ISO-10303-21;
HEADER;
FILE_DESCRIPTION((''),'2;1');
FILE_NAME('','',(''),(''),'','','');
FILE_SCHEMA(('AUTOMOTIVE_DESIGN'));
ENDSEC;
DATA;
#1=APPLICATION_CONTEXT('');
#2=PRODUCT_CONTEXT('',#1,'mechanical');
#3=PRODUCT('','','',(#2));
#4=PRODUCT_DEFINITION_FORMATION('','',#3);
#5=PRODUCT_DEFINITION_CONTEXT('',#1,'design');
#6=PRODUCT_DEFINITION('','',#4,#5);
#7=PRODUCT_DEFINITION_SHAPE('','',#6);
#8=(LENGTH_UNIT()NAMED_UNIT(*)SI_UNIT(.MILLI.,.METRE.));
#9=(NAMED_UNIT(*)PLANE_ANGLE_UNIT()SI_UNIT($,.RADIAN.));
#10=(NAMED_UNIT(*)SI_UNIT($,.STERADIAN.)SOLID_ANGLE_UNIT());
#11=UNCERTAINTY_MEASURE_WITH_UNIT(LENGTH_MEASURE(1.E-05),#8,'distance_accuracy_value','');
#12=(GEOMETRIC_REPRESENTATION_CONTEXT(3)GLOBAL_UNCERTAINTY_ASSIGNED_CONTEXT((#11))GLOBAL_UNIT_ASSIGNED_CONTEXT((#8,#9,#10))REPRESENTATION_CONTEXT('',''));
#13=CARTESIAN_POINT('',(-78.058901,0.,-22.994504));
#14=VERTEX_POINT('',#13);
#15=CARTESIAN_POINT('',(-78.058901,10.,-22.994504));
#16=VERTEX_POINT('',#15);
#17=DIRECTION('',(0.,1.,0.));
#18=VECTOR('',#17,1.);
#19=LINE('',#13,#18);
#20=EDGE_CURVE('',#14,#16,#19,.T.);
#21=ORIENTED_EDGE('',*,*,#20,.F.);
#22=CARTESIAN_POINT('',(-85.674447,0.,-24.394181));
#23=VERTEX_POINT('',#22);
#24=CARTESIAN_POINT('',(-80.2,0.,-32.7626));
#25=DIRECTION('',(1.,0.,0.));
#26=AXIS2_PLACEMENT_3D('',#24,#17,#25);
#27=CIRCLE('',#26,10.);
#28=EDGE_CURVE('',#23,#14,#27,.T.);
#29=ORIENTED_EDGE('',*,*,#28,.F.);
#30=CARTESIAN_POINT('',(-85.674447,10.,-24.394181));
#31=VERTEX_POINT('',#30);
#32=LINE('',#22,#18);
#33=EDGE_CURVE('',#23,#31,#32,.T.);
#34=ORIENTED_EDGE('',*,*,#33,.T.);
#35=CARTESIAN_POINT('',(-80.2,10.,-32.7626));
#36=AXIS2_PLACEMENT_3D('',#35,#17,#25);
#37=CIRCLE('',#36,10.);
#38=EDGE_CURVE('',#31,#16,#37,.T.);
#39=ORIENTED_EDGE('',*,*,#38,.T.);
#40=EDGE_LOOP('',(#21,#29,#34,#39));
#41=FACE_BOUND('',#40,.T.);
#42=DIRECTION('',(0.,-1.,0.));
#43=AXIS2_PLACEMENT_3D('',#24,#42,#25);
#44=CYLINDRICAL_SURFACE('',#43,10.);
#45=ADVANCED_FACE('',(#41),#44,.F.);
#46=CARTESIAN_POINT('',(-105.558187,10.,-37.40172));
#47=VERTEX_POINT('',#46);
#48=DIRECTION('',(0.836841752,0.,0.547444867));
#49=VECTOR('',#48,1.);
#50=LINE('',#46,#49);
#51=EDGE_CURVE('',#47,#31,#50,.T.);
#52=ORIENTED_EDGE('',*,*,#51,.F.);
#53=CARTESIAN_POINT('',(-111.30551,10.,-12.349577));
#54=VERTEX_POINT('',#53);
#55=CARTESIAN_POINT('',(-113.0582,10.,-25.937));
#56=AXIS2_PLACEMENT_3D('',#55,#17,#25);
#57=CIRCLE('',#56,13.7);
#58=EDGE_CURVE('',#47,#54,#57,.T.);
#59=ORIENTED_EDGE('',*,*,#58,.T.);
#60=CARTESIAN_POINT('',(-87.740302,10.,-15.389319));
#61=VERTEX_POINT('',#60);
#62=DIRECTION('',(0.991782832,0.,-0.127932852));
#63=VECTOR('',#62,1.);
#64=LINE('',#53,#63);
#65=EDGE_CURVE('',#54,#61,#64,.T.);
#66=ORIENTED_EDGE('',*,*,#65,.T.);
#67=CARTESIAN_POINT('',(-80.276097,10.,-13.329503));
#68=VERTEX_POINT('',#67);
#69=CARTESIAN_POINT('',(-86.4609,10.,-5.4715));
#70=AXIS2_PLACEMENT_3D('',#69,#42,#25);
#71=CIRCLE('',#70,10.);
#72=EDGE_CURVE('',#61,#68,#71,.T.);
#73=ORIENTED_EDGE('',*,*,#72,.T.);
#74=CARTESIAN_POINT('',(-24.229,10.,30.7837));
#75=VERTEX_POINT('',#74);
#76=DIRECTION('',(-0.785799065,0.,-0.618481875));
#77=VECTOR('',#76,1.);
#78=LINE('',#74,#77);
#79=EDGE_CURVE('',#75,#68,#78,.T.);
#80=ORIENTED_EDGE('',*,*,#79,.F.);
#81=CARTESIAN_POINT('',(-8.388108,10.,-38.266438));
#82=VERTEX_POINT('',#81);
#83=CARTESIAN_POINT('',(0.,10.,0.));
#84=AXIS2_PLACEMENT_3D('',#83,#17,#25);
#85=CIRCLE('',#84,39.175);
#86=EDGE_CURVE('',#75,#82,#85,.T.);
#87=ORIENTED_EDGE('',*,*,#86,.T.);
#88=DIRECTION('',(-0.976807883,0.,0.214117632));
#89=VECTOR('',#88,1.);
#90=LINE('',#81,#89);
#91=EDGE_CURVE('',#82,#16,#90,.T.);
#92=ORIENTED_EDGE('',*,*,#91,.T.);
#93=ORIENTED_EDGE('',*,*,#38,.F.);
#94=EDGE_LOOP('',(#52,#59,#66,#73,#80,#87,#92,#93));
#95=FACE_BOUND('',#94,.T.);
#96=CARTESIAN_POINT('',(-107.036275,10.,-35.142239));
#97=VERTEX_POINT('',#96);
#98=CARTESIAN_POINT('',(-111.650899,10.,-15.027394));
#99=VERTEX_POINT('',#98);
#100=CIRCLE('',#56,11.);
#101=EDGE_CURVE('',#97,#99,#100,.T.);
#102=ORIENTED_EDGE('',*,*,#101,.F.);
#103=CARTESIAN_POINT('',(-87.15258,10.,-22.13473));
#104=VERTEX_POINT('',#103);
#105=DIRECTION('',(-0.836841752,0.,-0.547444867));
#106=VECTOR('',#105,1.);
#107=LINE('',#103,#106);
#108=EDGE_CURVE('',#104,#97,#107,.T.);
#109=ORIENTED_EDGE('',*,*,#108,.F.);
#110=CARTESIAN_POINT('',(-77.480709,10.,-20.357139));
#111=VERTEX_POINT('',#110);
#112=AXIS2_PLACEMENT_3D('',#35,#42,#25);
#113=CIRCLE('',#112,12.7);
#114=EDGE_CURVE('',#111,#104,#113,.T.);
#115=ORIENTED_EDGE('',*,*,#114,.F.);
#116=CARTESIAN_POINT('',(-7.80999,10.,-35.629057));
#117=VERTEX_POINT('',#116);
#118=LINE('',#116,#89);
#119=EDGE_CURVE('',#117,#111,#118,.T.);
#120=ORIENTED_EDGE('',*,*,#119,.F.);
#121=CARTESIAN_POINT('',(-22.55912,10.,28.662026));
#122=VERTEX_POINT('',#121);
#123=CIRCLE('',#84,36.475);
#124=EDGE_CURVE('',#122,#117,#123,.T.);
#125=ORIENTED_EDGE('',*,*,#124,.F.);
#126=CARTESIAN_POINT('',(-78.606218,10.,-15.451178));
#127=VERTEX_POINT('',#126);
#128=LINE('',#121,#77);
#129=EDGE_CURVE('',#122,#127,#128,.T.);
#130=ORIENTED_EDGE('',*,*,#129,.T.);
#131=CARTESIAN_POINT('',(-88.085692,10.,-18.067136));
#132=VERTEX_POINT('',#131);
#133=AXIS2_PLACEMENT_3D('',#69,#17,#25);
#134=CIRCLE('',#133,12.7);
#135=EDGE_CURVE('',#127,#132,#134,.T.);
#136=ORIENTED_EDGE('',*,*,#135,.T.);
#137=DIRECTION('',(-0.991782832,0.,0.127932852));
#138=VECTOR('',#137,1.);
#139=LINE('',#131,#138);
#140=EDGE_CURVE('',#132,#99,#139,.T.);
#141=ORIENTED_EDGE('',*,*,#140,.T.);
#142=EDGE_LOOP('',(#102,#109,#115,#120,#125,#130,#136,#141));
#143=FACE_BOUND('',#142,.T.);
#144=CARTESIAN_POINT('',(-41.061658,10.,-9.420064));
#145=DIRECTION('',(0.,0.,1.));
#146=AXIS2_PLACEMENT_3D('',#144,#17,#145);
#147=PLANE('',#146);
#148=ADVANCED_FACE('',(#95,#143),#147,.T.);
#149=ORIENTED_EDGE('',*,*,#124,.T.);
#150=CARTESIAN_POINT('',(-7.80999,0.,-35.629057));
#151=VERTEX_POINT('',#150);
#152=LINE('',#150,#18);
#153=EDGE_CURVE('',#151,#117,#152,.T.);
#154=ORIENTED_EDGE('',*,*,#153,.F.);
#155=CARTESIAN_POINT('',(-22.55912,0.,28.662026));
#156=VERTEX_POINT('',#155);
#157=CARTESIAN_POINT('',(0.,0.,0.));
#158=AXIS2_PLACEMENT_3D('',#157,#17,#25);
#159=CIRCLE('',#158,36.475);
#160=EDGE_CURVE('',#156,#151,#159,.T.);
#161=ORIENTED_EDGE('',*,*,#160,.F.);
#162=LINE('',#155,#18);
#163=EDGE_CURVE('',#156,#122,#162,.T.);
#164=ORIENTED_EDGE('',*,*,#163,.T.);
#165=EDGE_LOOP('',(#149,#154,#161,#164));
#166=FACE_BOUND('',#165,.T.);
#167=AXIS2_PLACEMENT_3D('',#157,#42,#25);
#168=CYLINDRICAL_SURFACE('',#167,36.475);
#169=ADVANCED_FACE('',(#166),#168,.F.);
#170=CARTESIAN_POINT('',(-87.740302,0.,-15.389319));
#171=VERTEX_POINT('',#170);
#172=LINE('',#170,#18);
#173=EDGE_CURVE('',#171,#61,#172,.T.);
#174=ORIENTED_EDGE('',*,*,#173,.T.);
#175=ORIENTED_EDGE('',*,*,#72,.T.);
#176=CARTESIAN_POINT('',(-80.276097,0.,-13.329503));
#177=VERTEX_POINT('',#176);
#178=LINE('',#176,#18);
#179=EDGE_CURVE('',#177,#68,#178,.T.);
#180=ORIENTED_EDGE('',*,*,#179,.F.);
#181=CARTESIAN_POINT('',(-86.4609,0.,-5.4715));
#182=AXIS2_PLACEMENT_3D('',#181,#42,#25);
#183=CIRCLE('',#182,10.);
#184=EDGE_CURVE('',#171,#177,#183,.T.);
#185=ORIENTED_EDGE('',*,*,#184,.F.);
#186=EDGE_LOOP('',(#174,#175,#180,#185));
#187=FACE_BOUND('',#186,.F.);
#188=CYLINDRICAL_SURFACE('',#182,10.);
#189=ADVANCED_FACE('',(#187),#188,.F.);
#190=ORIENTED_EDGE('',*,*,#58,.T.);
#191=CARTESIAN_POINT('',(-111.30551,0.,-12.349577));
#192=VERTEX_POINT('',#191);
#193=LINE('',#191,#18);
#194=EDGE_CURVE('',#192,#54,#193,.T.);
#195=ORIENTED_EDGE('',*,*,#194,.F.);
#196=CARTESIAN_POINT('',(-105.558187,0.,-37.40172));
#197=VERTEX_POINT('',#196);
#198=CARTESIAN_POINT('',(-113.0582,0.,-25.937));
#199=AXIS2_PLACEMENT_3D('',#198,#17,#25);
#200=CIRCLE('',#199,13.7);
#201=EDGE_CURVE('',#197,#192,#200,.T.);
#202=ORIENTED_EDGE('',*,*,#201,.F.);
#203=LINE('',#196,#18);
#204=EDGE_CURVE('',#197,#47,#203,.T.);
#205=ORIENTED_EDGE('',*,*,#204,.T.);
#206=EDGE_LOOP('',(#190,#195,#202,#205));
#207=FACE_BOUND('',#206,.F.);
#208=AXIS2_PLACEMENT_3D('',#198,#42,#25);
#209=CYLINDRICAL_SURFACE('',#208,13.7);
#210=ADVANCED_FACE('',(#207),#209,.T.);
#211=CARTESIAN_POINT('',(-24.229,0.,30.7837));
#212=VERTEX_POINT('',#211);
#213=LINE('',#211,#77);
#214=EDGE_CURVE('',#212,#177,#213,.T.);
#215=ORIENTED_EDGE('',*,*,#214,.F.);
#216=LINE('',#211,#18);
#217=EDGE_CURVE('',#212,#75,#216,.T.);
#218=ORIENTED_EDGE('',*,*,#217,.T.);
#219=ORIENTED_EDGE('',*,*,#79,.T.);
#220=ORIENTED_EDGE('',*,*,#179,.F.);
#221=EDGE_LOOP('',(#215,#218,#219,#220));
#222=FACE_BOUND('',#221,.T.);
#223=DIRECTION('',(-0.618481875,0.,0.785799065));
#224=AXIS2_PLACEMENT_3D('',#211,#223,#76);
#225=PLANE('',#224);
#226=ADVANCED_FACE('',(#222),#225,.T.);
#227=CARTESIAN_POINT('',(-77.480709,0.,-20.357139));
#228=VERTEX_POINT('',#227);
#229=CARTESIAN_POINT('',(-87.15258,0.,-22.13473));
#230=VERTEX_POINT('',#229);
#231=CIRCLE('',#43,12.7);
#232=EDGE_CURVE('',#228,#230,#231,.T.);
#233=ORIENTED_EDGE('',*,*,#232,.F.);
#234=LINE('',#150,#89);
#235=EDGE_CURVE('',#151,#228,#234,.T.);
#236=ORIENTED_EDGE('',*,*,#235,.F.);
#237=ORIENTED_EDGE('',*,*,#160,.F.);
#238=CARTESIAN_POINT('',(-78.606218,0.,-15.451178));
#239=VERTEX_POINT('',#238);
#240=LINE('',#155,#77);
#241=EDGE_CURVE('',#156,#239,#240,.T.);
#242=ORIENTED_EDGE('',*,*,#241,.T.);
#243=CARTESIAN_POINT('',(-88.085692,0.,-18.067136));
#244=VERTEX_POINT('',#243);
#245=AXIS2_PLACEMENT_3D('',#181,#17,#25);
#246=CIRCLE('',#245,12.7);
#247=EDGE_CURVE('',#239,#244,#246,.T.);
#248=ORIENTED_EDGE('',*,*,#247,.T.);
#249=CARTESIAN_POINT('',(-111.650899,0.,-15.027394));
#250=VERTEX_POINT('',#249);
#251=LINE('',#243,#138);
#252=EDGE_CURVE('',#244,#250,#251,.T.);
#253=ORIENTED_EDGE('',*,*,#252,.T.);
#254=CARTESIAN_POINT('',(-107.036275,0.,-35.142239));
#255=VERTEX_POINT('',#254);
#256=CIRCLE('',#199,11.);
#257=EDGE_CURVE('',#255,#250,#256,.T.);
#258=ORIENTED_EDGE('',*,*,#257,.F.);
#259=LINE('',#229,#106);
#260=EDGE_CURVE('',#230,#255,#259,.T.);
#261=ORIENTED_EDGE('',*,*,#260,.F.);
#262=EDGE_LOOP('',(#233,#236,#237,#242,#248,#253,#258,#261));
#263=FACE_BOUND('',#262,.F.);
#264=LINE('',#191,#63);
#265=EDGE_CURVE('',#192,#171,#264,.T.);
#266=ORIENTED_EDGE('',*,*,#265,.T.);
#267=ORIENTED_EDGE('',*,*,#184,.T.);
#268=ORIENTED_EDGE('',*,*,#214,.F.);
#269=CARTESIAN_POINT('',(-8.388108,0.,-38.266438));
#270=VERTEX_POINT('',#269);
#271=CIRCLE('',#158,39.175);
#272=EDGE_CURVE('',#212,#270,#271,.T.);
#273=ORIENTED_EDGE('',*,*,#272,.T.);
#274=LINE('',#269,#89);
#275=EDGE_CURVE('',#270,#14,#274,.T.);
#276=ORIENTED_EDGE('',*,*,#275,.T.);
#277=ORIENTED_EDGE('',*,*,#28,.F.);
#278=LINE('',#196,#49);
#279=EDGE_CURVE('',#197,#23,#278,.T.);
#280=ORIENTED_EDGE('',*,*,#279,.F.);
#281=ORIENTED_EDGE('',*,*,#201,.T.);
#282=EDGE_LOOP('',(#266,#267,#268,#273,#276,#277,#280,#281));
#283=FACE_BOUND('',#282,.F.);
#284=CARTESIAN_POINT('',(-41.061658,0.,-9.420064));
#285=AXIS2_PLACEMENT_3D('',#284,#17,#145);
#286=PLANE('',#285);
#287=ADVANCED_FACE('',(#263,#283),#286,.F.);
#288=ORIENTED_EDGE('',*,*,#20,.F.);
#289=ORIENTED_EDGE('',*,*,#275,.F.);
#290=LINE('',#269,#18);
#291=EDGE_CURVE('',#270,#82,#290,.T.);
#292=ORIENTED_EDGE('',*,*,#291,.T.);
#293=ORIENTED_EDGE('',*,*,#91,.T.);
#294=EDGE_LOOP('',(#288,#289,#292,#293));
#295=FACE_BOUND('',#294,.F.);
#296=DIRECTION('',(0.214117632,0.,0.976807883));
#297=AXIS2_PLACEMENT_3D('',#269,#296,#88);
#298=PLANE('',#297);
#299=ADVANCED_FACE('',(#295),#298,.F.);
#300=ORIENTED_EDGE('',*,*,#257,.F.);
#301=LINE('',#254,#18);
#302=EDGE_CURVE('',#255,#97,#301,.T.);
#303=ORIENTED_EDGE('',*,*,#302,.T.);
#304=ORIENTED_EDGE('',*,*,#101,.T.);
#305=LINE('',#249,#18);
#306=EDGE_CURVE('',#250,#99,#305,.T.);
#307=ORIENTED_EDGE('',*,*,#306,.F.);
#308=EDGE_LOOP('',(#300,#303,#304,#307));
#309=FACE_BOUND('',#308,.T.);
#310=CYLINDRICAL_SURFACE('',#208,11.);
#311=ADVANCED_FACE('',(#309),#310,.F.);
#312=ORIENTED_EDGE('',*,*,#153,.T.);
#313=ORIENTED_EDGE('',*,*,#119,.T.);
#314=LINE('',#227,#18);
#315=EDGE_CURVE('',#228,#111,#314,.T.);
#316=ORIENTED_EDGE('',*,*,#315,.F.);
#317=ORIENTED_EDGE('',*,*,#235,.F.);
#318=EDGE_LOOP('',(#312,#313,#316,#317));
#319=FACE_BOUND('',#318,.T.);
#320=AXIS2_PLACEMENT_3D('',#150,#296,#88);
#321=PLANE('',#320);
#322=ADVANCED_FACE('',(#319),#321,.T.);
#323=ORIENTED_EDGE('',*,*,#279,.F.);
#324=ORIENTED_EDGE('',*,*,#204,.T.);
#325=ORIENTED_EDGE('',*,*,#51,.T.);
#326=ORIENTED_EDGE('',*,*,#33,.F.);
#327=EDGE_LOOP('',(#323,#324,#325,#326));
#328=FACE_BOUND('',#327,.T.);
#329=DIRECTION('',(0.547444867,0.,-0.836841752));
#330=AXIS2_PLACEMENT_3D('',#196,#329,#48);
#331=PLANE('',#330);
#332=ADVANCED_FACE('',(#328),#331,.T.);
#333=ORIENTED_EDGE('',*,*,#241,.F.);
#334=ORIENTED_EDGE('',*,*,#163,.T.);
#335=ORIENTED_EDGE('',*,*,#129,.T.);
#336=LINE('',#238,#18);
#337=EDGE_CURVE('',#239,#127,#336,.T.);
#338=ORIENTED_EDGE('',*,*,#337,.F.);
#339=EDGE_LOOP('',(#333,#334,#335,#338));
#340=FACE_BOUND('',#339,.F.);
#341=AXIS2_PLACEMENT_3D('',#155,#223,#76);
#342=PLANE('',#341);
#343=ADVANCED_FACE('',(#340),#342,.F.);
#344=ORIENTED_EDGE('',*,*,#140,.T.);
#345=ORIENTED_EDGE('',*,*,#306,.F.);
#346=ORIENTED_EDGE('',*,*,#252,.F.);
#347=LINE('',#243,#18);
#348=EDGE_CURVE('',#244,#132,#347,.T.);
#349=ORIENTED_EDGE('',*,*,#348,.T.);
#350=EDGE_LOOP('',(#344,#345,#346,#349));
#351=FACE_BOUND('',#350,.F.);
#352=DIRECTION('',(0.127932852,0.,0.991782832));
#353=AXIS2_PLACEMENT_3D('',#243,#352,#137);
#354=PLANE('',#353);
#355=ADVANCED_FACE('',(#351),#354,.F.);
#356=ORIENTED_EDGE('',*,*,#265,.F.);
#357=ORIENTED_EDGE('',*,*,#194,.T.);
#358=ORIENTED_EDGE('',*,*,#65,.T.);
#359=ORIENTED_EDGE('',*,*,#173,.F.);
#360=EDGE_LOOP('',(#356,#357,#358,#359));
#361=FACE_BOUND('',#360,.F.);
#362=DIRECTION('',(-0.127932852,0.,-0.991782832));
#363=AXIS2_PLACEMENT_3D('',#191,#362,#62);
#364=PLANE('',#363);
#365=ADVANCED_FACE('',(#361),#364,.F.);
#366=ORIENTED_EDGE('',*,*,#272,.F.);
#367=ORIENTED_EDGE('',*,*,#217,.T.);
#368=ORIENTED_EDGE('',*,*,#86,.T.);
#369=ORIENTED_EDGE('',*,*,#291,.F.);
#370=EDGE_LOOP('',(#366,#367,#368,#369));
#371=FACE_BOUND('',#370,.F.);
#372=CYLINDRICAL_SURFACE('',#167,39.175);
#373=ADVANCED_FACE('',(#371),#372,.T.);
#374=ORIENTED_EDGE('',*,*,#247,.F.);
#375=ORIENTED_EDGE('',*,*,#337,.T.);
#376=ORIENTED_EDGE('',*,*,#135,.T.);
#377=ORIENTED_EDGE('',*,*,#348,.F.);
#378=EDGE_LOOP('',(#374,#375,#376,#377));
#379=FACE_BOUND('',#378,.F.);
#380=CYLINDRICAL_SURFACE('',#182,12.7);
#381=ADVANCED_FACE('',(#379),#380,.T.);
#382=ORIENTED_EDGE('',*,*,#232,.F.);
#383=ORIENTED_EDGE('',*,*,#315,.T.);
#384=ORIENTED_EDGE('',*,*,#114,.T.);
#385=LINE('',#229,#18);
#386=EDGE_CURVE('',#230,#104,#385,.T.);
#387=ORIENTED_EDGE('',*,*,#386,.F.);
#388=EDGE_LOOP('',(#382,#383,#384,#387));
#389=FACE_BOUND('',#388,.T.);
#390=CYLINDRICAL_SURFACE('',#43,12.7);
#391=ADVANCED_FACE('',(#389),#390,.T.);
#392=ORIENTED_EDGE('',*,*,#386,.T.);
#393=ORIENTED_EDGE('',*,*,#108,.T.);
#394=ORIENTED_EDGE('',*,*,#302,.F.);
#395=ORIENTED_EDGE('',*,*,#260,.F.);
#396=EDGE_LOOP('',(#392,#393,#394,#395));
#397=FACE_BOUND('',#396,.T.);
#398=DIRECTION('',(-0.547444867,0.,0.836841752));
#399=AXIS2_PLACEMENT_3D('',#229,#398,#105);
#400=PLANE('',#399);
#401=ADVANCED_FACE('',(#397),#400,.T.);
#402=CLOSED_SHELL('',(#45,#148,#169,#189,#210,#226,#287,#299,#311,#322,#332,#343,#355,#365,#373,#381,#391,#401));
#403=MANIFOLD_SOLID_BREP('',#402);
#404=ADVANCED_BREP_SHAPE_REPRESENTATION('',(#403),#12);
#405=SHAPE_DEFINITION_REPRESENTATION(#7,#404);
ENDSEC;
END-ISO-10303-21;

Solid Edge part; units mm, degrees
sketch "Sketch1" plane through (0, 0, 0) normal (0, -1, 0) x (1, 0, 0)
  arc A0 (-24.229, 30.7837) -> (-8.3881, -38.2664) centre (0, 0) cw
  line L0 (-8.3881, -38.2664) -> (-78.0589, -22.9945)
  arc A1 (-85.6745, -24.3941) -> (-78.0589, -22.9945) centre (-80.2, -32.7626) cw
  line L1 (-105.5582, -37.4017) -> (-85.6745, -24.3941)
  arc A2 (-105.5582, -37.4017) -> (-111.3055, -12.3495) centre (-113.0582, -25.937) cw
  line L2 (-111.3055, -12.3495) -> (-87.7403, -15.3893)
  arc A3 (-87.7403, -15.3893) -> (-80.2761, -13.3295) centre (-86.4609, -5.4715) ccw
  line L3 (-24.229, 30.7837) -> (-80.2761, -13.3295)
  arc A4 (-22.5591, 28.662) -> (-7.81, -35.6291) centre (0, 0) cw
  line L4 (-7.81, -35.6291) -> (-77.4807, -20.3571)
  arc A5 (-77.4807, -20.3571) -> (-87.1526, -22.1347) centre (-80.2, -32.7626) ccw
  line L5 (-87.1526, -22.1347) -> (-107.0363, -35.1422)
  arc A6 (-107.0363, -35.1422) -> (-111.6509, -15.0274) centre (-113.0582, -25.937) cw
  line L6 (-88.0857, -18.0672) -> (-111.6509, -15.0274)
  arc A7 (-78.6062, -15.4512) -> (-88.0857, -18.0672) centre (-86.4609, -5.4715) cw
  line L7 (-22.5591, 28.662) -> (-78.6062, -15.4512)
  dimension "D1" = 72.95
  dimension "D2" = 22
  dimension "D3" = 36.475
  dimension "D4" = 2.7
extrude "Protrusion1" add sketch "Sketch1" against normal blind 10
properties part number "1976-1100-C01" material "Poliuretano"
